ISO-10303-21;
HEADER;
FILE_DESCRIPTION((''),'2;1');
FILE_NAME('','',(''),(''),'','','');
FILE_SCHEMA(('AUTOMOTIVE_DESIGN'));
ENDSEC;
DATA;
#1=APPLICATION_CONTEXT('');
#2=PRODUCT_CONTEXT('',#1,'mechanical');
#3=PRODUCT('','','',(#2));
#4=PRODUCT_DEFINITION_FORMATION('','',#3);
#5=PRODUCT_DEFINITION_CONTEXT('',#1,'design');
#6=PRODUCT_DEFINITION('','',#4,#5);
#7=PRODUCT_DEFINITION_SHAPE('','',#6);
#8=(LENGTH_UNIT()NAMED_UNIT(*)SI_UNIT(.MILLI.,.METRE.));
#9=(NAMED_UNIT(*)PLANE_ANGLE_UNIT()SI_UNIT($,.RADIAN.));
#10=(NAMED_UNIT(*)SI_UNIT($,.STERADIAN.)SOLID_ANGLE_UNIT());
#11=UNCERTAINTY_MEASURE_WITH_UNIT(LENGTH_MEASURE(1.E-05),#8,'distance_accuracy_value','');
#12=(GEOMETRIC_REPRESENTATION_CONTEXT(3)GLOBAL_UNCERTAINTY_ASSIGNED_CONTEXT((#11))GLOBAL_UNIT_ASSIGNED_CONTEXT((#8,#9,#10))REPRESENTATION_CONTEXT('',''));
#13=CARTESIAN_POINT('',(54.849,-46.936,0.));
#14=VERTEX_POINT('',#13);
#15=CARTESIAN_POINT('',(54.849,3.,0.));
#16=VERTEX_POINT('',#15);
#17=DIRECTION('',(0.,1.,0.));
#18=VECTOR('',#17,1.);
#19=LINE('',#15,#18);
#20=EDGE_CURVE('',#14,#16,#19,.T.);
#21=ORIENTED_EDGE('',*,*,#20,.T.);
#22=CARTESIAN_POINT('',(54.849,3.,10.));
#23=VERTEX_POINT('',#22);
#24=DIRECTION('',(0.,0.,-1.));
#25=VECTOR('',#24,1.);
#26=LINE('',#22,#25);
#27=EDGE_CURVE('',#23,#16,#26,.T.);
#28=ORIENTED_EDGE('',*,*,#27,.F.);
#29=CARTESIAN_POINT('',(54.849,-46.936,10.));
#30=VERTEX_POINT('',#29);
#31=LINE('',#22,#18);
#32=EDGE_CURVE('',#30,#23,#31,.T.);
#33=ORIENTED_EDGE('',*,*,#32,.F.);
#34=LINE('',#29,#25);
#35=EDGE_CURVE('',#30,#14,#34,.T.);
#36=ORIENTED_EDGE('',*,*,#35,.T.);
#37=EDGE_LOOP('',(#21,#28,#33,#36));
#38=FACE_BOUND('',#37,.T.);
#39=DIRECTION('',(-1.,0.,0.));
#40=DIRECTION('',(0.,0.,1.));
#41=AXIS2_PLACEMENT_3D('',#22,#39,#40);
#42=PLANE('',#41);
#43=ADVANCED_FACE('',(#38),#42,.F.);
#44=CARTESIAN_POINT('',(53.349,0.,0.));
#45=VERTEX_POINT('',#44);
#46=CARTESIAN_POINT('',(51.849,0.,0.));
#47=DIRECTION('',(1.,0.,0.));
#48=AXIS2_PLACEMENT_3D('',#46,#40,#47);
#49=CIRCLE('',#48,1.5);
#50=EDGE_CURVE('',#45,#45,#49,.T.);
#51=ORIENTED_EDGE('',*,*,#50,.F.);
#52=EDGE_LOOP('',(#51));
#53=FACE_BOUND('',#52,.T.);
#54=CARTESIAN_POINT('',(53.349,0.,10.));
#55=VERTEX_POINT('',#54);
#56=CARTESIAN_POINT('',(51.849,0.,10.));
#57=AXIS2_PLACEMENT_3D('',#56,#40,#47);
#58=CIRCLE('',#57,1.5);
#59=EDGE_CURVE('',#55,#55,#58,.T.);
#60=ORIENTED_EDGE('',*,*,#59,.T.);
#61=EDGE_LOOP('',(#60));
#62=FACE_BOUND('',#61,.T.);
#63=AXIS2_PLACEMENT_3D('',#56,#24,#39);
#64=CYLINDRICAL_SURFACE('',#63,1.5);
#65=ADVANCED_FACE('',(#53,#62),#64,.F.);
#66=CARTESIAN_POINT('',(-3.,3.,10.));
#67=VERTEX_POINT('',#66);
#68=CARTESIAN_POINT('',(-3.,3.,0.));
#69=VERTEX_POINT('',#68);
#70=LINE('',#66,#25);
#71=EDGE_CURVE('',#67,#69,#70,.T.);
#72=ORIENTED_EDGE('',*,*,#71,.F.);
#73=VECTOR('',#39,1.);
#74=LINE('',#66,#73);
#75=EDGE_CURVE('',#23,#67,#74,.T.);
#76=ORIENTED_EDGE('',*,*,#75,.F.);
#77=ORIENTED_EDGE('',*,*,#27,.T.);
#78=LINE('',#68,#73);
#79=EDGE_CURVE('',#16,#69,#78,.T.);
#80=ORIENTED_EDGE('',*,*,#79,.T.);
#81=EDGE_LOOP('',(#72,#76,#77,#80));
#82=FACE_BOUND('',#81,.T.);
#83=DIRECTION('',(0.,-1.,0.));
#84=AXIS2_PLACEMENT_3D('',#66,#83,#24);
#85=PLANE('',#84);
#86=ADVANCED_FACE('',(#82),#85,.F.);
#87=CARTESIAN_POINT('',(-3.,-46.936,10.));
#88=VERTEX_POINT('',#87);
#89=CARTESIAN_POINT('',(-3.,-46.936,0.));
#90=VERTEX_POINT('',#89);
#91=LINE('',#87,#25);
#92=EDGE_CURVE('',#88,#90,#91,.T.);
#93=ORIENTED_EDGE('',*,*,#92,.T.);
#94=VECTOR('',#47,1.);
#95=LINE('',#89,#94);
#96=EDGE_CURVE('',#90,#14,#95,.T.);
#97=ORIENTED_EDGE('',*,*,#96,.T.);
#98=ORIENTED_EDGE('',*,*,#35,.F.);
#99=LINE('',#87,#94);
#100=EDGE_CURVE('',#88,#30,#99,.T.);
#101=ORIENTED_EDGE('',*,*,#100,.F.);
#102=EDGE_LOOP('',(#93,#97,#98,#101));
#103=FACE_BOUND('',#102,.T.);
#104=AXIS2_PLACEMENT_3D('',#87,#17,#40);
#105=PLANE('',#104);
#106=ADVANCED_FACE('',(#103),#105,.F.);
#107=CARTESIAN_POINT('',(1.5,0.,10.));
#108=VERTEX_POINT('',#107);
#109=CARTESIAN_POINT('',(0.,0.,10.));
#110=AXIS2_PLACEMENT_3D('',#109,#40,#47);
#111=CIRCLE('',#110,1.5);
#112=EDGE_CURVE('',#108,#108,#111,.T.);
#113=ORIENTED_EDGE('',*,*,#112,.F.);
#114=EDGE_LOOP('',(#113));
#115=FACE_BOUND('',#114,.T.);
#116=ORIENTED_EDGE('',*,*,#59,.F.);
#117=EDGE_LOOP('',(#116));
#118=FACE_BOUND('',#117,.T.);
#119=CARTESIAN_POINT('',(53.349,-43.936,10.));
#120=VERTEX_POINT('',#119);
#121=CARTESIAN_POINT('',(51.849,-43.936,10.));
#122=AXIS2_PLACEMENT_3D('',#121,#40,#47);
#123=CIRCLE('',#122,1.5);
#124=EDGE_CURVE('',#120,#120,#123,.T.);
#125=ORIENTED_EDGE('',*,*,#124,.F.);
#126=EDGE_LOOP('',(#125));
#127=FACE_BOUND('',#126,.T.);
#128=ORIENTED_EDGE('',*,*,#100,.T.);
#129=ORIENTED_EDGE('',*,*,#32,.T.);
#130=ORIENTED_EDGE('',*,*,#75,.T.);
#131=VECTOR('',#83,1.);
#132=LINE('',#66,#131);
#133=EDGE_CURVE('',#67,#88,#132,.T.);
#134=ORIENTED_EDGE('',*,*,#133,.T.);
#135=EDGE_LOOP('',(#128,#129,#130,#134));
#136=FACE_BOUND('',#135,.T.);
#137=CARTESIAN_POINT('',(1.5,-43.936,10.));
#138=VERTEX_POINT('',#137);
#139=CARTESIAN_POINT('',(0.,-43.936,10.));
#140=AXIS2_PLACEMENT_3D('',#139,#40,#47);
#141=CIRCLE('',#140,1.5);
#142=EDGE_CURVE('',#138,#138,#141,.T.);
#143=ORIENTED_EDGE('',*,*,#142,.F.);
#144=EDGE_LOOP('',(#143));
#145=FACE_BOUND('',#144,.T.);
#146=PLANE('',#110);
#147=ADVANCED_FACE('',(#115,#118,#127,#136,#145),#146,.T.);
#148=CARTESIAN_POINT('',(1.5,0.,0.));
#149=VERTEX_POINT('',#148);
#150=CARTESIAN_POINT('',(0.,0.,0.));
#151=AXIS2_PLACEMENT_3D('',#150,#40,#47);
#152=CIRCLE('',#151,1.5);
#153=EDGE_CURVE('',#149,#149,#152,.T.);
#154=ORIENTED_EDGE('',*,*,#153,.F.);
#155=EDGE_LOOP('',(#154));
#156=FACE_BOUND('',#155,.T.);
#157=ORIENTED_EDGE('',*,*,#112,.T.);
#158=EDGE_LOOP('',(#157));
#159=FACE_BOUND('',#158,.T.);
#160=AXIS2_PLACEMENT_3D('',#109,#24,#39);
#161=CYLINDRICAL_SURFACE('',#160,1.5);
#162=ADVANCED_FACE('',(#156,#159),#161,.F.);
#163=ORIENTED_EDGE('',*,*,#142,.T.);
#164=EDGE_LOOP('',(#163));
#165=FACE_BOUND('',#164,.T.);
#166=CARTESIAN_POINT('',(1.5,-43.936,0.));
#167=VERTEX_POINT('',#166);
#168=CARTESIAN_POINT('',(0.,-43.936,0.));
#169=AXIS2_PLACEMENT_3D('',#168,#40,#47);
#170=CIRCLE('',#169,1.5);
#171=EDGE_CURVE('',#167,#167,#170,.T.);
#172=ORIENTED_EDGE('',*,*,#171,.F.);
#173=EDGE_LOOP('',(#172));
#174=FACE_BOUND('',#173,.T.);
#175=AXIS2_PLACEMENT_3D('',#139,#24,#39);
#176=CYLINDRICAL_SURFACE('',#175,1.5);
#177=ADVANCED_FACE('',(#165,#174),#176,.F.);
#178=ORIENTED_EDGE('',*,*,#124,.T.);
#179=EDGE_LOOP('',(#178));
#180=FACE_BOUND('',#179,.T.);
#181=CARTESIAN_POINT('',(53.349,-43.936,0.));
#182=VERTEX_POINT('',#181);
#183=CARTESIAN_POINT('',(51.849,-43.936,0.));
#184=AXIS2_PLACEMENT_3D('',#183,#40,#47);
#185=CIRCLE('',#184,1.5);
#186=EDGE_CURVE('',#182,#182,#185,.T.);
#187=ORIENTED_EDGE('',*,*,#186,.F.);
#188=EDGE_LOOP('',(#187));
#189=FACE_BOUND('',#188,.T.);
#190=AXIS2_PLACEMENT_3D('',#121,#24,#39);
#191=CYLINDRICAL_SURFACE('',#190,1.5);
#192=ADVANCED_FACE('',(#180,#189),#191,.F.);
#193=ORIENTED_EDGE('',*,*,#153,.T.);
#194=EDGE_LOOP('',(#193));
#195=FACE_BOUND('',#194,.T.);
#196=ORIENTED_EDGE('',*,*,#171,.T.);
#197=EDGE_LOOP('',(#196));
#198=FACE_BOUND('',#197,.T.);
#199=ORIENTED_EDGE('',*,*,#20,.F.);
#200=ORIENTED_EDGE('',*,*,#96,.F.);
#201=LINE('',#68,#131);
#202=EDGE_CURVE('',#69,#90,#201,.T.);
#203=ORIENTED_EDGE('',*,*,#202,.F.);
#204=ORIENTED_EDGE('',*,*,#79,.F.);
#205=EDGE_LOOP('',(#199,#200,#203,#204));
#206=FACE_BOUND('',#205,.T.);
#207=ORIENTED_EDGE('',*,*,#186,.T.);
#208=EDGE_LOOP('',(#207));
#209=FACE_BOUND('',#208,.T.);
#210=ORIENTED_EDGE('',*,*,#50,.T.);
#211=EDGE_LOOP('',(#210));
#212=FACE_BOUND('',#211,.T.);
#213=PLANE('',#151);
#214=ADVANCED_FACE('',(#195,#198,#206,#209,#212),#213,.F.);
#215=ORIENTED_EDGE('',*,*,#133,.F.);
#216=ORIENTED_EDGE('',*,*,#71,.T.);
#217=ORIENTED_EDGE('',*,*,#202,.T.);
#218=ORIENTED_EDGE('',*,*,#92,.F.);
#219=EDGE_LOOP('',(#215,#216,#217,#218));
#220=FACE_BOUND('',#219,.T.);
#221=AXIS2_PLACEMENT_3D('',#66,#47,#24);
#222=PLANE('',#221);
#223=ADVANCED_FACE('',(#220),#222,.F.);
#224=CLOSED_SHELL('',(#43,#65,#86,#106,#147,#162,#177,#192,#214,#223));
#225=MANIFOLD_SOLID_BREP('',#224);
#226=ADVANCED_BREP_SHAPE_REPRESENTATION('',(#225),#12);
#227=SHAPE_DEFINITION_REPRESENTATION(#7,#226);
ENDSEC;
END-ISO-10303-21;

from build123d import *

# Parameters (mm, degrees)
SKETCH_1_W      = 57.849
SKETCH_1_H      = 49.936
SKETCH_1_R      = 1.5
EXTRUDE_1_DEPTH = 10


with BuildPart() as part:
    # 草图1 → 凸台-拉伸1 (new body)
    with BuildSketch(Plane.XY):
        with Locations((25.9245, -21.968)):
            Rectangle(SKETCH_1_W, SKETCH_1_H)
        Circle(SKETCH_1_R, mode=Mode.SUBTRACT)
        with Locations((51.849, 0)):
            Circle(SKETCH_1_R, mode=Mode.SUBTRACT)
        with Locations((51.849, -43.936)):
            Circle(SKETCH_1_R, mode=Mode.SUBTRACT)
        with Locations((0, -43.936)):
            Circle(SKETCH_1_R, mode=Mode.SUBTRACT)
    extrude(amount=EXTRUDE_1_DEPTH)


solid = part.part
